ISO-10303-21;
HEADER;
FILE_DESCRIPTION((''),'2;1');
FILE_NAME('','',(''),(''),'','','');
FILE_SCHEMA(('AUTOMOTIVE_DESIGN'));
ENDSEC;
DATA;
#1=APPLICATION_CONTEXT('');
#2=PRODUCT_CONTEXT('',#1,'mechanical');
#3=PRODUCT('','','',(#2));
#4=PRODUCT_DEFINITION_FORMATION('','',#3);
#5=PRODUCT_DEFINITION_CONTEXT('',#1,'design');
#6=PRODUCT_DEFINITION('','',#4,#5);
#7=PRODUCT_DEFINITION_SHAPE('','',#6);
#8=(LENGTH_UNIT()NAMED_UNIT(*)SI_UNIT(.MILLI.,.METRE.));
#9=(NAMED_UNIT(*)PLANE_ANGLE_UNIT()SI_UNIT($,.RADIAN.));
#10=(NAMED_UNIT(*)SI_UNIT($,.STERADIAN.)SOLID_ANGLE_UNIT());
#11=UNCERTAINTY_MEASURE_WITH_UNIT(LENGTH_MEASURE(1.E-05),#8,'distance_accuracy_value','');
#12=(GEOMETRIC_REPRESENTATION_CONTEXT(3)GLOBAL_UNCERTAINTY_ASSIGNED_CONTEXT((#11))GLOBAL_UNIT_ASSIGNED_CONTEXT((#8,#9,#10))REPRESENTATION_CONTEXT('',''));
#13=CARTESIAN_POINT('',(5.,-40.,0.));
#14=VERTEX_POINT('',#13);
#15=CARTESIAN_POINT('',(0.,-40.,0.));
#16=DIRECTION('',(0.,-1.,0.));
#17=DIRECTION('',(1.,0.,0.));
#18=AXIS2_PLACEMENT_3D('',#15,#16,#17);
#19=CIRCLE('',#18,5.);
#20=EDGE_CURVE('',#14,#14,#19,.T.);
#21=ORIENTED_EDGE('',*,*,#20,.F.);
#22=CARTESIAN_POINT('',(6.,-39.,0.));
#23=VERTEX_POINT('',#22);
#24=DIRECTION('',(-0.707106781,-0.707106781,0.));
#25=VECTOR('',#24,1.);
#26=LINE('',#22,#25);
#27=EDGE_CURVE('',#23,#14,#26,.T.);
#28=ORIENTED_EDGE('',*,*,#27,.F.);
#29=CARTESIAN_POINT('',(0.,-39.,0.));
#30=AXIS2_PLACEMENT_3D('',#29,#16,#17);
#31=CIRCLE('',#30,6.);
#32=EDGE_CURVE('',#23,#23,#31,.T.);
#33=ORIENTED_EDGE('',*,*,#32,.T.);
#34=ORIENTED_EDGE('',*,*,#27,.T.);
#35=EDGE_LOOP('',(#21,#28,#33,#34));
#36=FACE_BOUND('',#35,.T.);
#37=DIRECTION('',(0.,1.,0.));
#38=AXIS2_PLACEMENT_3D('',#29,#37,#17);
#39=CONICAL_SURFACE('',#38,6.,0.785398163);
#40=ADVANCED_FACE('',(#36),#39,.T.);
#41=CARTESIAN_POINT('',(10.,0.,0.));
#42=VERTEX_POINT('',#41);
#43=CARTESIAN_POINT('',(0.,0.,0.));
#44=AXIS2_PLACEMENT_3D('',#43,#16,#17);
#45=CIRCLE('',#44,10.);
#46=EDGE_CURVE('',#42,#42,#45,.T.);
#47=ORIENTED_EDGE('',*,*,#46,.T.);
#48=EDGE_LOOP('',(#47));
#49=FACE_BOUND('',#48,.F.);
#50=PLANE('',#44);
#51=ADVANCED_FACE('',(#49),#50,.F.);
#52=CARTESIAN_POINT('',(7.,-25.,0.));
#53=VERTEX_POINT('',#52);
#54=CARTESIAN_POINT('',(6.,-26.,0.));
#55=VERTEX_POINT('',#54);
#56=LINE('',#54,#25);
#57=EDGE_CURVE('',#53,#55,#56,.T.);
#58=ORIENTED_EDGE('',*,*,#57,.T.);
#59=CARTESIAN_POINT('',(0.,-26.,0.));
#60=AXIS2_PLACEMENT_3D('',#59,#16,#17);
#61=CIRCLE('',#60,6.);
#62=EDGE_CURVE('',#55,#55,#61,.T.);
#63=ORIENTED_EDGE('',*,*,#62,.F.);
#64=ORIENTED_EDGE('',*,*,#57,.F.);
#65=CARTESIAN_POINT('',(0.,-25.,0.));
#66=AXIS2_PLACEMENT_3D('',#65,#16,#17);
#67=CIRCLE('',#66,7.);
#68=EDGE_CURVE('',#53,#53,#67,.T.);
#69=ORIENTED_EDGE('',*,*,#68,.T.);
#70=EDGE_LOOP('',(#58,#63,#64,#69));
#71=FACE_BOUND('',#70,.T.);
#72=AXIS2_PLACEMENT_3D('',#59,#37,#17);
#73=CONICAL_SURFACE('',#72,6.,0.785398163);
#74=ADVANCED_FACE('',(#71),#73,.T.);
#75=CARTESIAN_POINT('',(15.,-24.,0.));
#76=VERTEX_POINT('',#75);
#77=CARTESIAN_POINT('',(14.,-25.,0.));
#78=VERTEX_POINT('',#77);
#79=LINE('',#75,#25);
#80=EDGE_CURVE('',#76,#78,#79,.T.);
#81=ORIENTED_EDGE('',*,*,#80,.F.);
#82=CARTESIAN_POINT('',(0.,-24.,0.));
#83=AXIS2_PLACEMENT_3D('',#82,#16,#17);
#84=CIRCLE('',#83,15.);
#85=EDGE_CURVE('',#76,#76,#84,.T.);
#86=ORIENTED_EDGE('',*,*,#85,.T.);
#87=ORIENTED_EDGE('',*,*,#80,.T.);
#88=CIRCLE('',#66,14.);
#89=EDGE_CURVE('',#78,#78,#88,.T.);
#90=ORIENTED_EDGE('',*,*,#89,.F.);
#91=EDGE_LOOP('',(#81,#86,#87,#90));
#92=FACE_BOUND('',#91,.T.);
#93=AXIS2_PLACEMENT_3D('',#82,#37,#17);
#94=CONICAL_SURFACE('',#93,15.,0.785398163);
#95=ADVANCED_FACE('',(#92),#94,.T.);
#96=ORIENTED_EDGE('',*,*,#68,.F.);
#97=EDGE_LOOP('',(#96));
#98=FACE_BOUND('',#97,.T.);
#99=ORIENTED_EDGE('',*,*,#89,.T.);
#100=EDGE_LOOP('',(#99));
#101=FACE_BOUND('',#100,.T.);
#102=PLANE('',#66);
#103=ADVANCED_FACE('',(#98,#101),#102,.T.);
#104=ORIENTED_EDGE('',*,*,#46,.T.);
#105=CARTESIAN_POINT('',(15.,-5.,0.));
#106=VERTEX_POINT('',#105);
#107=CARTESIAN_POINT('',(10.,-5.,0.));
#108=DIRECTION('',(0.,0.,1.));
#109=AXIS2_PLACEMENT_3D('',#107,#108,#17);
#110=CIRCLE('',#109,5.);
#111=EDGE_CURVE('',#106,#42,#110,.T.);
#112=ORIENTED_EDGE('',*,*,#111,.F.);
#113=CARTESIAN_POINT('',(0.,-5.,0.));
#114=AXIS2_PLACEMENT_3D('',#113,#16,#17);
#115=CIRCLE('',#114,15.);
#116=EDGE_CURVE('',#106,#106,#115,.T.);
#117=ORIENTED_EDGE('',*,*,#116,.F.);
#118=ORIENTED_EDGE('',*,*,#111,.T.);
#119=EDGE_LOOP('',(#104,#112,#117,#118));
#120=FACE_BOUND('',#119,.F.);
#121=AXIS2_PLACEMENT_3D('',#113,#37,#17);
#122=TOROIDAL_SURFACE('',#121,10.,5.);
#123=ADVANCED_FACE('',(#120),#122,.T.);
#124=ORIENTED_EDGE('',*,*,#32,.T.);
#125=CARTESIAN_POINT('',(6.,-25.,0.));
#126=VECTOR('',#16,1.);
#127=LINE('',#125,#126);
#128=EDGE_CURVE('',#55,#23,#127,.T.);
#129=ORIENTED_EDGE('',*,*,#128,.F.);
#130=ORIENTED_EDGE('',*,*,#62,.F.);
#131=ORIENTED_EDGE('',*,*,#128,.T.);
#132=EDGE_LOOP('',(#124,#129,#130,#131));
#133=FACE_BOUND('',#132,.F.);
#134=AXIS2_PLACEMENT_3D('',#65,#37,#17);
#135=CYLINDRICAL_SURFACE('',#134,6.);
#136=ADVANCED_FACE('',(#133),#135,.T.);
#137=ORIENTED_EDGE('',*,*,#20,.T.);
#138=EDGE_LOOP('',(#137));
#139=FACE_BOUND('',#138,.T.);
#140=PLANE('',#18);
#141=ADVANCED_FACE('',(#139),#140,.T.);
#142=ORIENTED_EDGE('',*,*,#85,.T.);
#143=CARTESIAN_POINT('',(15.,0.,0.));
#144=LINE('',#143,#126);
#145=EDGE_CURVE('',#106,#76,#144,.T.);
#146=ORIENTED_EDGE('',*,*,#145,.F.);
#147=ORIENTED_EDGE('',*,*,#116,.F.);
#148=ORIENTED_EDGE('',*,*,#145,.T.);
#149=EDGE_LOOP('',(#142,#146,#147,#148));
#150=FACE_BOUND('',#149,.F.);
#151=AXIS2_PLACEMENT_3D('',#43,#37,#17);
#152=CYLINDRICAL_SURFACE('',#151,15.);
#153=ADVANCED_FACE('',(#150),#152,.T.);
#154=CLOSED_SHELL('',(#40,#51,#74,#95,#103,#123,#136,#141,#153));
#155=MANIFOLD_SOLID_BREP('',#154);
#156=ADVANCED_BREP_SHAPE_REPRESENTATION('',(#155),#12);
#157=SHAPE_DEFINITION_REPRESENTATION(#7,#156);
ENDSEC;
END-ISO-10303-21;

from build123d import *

# Parameters (mm, degrees)
F0_R     = 15
F1_DEPTH = 25
F2_R     = 6
F3_DEPTH = 15
F4_R     = 5
F5_SIZE  = 1


with BuildPart() as f1:
    # F0 (on Front) → F1 (new body)
    with BuildSketch(Plane.XZ):
        Circle(F0_R)
    extrude(amount=F1_DEPTH)

    # F2 (on face) → F3 (join)
    with BuildSketch(Plane.XZ.offset(25)):
        Circle(F2_R)
    extrude(amount=F3_DEPTH)

    # F4
    f4_edges = [f1.edges().sort_by_distance(p)[0] for p in [
        (-15, 0, 0),
    ]]
    fillet(f4_edges, radius=F4_R)

    # F5
    f5_edges = [f1.edges().sort_by_distance(p)[0] for p in [
        (-6, -40, 0),
        (-6, -25, 0),
        (-15, -25, 0),
    ]]
    chamfer(f5_edges, length=F5_SIZE)


solid = f1.part
